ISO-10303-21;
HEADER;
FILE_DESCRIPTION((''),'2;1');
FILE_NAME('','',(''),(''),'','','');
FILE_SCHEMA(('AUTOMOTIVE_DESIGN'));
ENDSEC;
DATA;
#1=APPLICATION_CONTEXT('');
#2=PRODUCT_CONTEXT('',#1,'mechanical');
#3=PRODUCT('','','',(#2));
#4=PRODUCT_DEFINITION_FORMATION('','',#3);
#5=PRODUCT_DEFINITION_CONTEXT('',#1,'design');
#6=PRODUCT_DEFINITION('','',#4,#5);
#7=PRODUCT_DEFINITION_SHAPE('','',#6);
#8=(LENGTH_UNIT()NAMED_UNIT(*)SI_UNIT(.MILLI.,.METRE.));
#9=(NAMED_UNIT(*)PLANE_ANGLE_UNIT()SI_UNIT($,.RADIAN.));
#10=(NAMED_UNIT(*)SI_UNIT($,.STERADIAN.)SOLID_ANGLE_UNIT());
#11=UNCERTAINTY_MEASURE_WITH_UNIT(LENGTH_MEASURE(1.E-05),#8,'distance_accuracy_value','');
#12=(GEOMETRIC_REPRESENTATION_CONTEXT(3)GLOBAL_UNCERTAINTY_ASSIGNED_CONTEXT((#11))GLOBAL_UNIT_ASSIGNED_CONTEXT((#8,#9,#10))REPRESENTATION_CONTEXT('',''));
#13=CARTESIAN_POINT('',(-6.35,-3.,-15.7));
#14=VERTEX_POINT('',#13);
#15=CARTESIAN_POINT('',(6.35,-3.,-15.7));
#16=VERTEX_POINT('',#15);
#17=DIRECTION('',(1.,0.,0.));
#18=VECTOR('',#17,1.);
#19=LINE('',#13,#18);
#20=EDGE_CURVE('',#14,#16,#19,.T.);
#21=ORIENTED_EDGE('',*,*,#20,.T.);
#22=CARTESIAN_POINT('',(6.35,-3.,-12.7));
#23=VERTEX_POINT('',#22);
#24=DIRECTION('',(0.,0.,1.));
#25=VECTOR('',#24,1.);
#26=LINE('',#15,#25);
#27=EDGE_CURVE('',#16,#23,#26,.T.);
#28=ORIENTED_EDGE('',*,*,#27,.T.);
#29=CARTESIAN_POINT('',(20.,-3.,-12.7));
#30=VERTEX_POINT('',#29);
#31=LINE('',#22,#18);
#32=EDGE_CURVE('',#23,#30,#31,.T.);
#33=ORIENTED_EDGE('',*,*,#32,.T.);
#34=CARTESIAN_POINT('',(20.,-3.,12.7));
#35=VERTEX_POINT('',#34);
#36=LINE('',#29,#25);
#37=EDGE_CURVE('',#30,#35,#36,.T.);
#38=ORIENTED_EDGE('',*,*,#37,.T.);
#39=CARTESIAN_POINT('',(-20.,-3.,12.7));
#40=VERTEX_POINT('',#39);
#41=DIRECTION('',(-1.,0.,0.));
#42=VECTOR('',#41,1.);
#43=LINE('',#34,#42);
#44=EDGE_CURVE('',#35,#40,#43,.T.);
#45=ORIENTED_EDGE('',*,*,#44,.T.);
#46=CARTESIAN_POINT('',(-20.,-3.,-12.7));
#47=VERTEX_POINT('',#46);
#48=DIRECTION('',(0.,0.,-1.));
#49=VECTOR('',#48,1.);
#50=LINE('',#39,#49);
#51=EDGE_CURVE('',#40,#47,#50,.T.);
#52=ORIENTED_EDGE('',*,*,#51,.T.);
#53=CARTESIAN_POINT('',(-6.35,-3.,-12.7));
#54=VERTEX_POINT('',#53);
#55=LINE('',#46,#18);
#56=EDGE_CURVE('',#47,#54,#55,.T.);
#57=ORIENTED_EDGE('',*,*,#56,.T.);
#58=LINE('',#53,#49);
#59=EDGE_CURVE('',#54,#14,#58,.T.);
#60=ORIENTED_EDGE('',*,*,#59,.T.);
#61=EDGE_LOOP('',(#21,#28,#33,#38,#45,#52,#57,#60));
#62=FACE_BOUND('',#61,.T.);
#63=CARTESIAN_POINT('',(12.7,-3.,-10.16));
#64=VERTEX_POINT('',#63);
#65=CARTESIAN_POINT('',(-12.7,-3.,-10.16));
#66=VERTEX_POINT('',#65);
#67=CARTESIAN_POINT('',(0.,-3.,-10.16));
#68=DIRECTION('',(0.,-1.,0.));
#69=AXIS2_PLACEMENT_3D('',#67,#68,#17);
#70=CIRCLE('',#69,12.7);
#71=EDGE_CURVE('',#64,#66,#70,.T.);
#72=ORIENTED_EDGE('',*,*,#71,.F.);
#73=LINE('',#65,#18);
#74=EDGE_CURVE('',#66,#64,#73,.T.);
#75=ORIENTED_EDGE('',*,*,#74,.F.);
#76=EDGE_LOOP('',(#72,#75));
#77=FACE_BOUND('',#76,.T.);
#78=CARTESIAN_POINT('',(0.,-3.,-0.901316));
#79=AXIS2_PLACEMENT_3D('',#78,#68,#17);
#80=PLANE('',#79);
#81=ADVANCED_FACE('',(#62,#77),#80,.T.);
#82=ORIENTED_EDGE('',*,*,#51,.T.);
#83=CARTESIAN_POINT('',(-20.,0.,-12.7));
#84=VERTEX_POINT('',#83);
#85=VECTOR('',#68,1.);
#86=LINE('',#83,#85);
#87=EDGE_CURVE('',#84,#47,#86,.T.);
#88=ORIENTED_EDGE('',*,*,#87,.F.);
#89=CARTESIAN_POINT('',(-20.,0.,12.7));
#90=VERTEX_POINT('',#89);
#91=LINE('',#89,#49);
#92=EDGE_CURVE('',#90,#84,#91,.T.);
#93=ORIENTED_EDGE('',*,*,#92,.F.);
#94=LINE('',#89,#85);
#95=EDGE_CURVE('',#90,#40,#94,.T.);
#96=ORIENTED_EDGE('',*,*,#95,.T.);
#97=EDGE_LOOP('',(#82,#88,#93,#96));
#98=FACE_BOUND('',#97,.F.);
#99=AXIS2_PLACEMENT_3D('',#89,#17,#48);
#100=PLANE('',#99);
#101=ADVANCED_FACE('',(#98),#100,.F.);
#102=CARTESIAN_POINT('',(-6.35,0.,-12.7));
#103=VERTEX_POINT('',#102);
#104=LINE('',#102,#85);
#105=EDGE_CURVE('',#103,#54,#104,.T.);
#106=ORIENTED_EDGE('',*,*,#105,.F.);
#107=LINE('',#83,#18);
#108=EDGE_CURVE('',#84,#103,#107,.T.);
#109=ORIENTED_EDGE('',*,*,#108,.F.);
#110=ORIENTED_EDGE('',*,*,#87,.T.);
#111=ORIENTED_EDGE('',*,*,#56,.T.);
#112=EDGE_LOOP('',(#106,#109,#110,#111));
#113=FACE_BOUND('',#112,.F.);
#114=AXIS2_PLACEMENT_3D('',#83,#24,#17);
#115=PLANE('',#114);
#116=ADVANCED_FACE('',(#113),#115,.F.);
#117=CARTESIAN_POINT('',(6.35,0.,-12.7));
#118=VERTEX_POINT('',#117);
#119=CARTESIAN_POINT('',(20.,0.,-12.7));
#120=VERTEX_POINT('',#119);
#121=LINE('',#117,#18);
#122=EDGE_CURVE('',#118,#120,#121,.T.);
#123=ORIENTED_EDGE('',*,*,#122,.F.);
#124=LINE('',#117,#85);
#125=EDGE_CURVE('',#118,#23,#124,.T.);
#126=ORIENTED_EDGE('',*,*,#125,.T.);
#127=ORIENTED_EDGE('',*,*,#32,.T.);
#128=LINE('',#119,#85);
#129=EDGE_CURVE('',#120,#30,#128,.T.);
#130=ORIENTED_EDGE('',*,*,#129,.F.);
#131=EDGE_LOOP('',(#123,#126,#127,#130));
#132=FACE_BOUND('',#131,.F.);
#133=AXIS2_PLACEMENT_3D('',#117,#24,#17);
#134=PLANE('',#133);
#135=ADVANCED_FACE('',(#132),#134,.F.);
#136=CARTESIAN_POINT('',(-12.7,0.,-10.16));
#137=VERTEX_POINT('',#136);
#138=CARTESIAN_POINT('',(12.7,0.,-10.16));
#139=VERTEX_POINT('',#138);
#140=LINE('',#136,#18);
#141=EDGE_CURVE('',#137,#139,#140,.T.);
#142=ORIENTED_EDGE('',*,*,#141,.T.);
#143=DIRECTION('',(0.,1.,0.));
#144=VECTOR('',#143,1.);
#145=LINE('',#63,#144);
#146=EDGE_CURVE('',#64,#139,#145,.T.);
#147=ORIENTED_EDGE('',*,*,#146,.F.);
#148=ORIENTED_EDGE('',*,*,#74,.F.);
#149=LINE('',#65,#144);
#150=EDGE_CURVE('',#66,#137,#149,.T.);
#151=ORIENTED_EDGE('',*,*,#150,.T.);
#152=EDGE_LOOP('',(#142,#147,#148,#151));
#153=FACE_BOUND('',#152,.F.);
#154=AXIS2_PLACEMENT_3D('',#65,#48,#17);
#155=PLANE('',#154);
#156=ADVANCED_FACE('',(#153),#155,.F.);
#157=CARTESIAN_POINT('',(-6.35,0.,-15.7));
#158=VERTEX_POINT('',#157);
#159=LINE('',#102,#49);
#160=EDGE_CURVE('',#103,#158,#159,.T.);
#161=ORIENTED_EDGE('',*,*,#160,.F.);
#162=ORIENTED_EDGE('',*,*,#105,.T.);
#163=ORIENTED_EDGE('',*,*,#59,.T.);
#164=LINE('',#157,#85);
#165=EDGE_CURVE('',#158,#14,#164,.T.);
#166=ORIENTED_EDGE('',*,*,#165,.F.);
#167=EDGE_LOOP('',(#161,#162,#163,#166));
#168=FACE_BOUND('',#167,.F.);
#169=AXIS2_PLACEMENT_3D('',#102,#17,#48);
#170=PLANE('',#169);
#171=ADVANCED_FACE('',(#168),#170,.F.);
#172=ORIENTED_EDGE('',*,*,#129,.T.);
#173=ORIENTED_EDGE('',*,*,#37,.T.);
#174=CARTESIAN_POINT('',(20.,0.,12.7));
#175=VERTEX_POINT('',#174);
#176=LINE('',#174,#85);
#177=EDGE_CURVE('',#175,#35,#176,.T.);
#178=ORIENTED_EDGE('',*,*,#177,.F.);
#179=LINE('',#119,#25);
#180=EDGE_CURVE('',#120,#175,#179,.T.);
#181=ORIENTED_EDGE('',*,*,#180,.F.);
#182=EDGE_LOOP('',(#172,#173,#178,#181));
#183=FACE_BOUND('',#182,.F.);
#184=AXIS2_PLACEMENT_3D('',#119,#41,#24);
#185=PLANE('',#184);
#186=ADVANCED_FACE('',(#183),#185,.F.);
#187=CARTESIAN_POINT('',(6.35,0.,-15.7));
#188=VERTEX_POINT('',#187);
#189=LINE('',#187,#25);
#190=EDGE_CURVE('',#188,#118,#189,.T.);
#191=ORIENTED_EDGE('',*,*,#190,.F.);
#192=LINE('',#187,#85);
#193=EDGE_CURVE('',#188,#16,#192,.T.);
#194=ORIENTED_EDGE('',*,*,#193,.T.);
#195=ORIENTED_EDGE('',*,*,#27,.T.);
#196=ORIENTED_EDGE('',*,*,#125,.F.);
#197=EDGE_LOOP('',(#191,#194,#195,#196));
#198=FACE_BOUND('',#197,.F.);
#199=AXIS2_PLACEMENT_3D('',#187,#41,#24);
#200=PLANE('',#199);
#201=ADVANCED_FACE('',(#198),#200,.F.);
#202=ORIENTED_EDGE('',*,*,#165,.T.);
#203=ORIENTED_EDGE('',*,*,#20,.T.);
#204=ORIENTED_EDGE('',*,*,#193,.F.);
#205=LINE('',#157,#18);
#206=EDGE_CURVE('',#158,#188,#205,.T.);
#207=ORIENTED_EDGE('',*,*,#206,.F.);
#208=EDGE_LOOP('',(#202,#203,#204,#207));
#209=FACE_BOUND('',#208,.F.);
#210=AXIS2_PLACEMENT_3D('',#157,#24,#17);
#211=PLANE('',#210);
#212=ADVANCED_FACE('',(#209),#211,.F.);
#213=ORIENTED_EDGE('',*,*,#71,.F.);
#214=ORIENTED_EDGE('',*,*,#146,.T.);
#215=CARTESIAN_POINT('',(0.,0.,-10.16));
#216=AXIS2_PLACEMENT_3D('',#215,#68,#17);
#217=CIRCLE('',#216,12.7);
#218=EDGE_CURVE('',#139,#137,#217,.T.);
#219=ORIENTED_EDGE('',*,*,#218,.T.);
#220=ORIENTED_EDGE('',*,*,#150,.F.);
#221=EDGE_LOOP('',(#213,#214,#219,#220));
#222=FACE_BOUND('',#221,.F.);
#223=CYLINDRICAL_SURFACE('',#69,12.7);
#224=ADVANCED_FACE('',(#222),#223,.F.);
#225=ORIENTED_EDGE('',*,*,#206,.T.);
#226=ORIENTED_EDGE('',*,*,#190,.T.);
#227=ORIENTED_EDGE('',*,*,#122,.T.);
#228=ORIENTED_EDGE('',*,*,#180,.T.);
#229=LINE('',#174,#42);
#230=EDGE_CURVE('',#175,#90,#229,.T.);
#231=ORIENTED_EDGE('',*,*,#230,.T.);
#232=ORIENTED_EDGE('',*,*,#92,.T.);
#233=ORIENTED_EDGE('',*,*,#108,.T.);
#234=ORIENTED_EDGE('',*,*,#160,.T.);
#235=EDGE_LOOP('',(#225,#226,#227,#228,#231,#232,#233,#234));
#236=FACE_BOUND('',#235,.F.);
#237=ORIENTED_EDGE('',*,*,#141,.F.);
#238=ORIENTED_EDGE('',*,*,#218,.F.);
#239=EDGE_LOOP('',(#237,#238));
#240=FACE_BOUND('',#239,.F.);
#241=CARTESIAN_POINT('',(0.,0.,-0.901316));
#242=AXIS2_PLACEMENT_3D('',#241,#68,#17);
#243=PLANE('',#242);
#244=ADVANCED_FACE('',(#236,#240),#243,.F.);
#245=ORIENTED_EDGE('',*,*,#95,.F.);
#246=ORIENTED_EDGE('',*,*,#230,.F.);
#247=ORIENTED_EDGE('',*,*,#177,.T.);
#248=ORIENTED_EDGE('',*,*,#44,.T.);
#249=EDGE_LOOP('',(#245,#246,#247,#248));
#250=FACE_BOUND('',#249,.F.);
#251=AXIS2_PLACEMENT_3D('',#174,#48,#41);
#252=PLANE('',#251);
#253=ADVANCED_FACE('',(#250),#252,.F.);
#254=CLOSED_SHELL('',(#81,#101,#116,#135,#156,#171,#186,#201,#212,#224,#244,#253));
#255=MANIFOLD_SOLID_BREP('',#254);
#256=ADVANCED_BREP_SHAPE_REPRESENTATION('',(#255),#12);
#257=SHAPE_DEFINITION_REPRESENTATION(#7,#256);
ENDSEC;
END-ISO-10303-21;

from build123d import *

# Parameters (mm, degrees)
F1_DEPTH = 3
F3_DEPTH = 3


with BuildPart() as f1:
    # F0 (on Front) → F1 (new body)
    with BuildSketch(Plane.XZ):
        Polygon((20, 12.7), (-20, 12.7), (-20, -12.7), (-6.35, -12.7), (-6.35, -15.7), (6.35, -15.7), (6.35, -12.7), (20, -12.7), align=None)
    extrude(amount=F1_DEPTH)

    # F2 (on face) → F3 (cut, through all)
    with BuildSketch(Plane.XZ.offset(3)):
        with BuildLine():
            Line((-12.7, -10.16), (12.7, -10.16))
            ThreePointArc((12.7, -10.16), (0, 2.54), (-12.7, -10.16))
        make_face()
    extrude(amount=-F3_DEPTH, mode=Mode.SUBTRACT)


solid = f1.part
